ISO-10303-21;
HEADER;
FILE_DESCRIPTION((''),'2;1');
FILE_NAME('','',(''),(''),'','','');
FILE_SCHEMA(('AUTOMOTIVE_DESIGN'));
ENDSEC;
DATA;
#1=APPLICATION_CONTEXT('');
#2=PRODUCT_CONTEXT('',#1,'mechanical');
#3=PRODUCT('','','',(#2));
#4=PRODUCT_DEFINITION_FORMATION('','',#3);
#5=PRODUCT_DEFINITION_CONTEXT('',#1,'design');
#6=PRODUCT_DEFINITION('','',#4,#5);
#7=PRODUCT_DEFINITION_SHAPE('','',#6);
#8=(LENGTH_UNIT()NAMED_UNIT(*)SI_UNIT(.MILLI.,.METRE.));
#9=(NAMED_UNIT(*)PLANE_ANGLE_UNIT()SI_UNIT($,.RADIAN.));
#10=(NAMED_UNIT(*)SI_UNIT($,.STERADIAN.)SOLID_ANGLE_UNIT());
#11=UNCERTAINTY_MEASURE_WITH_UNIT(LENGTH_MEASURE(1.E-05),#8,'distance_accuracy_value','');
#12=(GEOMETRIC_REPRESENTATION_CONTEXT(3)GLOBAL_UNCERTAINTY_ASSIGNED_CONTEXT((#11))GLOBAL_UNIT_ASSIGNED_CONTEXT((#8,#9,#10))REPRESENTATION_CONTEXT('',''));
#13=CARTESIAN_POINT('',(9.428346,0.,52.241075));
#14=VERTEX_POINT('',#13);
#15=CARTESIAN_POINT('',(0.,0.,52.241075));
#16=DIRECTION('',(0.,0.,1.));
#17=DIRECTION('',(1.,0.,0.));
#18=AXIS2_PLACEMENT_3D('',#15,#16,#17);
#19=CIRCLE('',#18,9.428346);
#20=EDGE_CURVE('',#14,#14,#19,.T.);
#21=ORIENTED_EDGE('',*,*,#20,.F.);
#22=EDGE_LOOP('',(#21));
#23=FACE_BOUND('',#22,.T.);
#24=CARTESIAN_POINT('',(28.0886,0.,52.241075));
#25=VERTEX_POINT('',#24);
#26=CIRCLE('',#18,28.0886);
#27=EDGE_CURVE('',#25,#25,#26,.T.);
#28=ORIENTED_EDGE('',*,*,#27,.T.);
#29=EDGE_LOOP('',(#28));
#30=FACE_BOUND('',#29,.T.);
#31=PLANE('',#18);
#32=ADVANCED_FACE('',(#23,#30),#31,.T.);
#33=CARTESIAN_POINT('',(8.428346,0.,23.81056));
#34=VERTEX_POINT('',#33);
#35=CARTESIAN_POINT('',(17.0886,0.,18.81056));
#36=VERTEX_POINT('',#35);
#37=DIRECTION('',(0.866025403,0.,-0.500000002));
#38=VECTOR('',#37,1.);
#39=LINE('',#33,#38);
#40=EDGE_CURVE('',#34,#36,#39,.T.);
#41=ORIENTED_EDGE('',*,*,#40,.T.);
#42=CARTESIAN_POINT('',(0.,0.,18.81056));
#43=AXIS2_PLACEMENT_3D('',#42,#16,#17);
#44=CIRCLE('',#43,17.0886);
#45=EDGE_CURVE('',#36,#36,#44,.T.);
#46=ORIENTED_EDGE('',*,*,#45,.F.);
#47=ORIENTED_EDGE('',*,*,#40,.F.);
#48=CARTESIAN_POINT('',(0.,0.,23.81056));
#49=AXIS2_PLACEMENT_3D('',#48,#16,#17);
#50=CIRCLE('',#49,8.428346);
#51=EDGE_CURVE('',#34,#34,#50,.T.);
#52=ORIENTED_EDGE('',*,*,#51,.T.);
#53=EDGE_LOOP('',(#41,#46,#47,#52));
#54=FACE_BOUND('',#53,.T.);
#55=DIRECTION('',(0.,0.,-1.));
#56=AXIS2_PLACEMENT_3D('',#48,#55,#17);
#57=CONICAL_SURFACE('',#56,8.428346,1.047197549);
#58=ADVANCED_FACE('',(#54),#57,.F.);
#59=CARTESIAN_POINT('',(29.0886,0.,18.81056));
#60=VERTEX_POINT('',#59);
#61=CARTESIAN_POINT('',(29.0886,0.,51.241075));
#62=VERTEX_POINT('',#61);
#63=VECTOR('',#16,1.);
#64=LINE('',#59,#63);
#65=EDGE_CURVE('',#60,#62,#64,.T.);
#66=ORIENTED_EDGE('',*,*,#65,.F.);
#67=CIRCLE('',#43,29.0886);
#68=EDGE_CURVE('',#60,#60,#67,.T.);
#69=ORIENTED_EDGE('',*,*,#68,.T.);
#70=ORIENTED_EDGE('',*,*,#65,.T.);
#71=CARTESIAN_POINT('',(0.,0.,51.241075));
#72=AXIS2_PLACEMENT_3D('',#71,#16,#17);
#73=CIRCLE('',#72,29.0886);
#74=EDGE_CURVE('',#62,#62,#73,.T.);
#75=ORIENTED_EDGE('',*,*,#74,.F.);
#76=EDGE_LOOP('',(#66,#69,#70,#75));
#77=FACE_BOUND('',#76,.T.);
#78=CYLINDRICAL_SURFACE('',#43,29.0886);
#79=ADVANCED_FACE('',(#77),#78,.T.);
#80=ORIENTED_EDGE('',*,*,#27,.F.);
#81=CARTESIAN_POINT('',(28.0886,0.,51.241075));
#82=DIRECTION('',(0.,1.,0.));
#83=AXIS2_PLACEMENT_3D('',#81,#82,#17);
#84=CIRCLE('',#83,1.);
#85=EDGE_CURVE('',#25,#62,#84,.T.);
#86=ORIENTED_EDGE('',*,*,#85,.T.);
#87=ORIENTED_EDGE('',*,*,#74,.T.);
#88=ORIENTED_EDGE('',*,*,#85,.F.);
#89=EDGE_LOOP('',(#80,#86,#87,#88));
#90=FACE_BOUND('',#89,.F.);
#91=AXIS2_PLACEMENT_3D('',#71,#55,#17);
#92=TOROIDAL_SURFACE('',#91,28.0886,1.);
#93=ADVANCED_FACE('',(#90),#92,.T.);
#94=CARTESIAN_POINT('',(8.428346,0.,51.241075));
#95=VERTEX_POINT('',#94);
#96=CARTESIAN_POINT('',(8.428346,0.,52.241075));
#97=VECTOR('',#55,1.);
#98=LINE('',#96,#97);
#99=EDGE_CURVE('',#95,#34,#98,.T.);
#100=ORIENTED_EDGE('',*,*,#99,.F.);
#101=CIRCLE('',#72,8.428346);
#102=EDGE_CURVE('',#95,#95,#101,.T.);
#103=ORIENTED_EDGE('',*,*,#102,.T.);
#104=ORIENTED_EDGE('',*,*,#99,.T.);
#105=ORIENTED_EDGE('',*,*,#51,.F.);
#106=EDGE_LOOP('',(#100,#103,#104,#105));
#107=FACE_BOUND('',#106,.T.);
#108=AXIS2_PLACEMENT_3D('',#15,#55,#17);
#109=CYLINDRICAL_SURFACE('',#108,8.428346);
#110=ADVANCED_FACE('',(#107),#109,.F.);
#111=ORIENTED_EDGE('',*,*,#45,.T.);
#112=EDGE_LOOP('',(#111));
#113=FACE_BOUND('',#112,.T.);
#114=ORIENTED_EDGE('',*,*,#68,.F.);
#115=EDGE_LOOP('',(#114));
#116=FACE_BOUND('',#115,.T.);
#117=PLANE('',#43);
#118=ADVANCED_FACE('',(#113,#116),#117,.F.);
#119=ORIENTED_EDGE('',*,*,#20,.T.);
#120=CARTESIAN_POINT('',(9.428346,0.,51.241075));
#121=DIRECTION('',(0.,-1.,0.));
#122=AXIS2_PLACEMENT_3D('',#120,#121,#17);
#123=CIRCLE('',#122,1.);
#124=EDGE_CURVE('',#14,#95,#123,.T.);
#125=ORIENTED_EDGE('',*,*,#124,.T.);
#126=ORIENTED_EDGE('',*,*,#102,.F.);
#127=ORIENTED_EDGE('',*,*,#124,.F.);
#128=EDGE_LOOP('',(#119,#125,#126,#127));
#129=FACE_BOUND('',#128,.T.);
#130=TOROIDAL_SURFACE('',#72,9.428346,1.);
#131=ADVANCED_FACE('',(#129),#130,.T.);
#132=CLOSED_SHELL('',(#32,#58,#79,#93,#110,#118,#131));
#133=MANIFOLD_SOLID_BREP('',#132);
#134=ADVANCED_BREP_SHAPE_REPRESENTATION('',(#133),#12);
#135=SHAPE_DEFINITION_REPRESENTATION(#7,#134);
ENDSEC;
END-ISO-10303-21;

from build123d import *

# Parameters (mm, degrees)
F2_R = 1


with BuildPart() as f1:
    # F0 (on Front) → F1 (revolve)
    with BuildSketch(Plane.XZ):
        Polygon((29.0886, 52.241075), (8.428346, 52.241075), (8.428346, 23.81056), (17.0886, 18.81056), (29.0886, 18.81056), align=None)
    revolve(axis=Axis((0, 0, 34.322324), (0, 0, 1)))

    # F2
    f2_edges = [f1.edges().sort_by_distance(p)[0] for p in [
        (-29.0886, 0, 52.241075),
        (-8.428346, 0, 52.241075),
    ]]
    fillet(f2_edges, radius=F2_R)


solid = f1.part
